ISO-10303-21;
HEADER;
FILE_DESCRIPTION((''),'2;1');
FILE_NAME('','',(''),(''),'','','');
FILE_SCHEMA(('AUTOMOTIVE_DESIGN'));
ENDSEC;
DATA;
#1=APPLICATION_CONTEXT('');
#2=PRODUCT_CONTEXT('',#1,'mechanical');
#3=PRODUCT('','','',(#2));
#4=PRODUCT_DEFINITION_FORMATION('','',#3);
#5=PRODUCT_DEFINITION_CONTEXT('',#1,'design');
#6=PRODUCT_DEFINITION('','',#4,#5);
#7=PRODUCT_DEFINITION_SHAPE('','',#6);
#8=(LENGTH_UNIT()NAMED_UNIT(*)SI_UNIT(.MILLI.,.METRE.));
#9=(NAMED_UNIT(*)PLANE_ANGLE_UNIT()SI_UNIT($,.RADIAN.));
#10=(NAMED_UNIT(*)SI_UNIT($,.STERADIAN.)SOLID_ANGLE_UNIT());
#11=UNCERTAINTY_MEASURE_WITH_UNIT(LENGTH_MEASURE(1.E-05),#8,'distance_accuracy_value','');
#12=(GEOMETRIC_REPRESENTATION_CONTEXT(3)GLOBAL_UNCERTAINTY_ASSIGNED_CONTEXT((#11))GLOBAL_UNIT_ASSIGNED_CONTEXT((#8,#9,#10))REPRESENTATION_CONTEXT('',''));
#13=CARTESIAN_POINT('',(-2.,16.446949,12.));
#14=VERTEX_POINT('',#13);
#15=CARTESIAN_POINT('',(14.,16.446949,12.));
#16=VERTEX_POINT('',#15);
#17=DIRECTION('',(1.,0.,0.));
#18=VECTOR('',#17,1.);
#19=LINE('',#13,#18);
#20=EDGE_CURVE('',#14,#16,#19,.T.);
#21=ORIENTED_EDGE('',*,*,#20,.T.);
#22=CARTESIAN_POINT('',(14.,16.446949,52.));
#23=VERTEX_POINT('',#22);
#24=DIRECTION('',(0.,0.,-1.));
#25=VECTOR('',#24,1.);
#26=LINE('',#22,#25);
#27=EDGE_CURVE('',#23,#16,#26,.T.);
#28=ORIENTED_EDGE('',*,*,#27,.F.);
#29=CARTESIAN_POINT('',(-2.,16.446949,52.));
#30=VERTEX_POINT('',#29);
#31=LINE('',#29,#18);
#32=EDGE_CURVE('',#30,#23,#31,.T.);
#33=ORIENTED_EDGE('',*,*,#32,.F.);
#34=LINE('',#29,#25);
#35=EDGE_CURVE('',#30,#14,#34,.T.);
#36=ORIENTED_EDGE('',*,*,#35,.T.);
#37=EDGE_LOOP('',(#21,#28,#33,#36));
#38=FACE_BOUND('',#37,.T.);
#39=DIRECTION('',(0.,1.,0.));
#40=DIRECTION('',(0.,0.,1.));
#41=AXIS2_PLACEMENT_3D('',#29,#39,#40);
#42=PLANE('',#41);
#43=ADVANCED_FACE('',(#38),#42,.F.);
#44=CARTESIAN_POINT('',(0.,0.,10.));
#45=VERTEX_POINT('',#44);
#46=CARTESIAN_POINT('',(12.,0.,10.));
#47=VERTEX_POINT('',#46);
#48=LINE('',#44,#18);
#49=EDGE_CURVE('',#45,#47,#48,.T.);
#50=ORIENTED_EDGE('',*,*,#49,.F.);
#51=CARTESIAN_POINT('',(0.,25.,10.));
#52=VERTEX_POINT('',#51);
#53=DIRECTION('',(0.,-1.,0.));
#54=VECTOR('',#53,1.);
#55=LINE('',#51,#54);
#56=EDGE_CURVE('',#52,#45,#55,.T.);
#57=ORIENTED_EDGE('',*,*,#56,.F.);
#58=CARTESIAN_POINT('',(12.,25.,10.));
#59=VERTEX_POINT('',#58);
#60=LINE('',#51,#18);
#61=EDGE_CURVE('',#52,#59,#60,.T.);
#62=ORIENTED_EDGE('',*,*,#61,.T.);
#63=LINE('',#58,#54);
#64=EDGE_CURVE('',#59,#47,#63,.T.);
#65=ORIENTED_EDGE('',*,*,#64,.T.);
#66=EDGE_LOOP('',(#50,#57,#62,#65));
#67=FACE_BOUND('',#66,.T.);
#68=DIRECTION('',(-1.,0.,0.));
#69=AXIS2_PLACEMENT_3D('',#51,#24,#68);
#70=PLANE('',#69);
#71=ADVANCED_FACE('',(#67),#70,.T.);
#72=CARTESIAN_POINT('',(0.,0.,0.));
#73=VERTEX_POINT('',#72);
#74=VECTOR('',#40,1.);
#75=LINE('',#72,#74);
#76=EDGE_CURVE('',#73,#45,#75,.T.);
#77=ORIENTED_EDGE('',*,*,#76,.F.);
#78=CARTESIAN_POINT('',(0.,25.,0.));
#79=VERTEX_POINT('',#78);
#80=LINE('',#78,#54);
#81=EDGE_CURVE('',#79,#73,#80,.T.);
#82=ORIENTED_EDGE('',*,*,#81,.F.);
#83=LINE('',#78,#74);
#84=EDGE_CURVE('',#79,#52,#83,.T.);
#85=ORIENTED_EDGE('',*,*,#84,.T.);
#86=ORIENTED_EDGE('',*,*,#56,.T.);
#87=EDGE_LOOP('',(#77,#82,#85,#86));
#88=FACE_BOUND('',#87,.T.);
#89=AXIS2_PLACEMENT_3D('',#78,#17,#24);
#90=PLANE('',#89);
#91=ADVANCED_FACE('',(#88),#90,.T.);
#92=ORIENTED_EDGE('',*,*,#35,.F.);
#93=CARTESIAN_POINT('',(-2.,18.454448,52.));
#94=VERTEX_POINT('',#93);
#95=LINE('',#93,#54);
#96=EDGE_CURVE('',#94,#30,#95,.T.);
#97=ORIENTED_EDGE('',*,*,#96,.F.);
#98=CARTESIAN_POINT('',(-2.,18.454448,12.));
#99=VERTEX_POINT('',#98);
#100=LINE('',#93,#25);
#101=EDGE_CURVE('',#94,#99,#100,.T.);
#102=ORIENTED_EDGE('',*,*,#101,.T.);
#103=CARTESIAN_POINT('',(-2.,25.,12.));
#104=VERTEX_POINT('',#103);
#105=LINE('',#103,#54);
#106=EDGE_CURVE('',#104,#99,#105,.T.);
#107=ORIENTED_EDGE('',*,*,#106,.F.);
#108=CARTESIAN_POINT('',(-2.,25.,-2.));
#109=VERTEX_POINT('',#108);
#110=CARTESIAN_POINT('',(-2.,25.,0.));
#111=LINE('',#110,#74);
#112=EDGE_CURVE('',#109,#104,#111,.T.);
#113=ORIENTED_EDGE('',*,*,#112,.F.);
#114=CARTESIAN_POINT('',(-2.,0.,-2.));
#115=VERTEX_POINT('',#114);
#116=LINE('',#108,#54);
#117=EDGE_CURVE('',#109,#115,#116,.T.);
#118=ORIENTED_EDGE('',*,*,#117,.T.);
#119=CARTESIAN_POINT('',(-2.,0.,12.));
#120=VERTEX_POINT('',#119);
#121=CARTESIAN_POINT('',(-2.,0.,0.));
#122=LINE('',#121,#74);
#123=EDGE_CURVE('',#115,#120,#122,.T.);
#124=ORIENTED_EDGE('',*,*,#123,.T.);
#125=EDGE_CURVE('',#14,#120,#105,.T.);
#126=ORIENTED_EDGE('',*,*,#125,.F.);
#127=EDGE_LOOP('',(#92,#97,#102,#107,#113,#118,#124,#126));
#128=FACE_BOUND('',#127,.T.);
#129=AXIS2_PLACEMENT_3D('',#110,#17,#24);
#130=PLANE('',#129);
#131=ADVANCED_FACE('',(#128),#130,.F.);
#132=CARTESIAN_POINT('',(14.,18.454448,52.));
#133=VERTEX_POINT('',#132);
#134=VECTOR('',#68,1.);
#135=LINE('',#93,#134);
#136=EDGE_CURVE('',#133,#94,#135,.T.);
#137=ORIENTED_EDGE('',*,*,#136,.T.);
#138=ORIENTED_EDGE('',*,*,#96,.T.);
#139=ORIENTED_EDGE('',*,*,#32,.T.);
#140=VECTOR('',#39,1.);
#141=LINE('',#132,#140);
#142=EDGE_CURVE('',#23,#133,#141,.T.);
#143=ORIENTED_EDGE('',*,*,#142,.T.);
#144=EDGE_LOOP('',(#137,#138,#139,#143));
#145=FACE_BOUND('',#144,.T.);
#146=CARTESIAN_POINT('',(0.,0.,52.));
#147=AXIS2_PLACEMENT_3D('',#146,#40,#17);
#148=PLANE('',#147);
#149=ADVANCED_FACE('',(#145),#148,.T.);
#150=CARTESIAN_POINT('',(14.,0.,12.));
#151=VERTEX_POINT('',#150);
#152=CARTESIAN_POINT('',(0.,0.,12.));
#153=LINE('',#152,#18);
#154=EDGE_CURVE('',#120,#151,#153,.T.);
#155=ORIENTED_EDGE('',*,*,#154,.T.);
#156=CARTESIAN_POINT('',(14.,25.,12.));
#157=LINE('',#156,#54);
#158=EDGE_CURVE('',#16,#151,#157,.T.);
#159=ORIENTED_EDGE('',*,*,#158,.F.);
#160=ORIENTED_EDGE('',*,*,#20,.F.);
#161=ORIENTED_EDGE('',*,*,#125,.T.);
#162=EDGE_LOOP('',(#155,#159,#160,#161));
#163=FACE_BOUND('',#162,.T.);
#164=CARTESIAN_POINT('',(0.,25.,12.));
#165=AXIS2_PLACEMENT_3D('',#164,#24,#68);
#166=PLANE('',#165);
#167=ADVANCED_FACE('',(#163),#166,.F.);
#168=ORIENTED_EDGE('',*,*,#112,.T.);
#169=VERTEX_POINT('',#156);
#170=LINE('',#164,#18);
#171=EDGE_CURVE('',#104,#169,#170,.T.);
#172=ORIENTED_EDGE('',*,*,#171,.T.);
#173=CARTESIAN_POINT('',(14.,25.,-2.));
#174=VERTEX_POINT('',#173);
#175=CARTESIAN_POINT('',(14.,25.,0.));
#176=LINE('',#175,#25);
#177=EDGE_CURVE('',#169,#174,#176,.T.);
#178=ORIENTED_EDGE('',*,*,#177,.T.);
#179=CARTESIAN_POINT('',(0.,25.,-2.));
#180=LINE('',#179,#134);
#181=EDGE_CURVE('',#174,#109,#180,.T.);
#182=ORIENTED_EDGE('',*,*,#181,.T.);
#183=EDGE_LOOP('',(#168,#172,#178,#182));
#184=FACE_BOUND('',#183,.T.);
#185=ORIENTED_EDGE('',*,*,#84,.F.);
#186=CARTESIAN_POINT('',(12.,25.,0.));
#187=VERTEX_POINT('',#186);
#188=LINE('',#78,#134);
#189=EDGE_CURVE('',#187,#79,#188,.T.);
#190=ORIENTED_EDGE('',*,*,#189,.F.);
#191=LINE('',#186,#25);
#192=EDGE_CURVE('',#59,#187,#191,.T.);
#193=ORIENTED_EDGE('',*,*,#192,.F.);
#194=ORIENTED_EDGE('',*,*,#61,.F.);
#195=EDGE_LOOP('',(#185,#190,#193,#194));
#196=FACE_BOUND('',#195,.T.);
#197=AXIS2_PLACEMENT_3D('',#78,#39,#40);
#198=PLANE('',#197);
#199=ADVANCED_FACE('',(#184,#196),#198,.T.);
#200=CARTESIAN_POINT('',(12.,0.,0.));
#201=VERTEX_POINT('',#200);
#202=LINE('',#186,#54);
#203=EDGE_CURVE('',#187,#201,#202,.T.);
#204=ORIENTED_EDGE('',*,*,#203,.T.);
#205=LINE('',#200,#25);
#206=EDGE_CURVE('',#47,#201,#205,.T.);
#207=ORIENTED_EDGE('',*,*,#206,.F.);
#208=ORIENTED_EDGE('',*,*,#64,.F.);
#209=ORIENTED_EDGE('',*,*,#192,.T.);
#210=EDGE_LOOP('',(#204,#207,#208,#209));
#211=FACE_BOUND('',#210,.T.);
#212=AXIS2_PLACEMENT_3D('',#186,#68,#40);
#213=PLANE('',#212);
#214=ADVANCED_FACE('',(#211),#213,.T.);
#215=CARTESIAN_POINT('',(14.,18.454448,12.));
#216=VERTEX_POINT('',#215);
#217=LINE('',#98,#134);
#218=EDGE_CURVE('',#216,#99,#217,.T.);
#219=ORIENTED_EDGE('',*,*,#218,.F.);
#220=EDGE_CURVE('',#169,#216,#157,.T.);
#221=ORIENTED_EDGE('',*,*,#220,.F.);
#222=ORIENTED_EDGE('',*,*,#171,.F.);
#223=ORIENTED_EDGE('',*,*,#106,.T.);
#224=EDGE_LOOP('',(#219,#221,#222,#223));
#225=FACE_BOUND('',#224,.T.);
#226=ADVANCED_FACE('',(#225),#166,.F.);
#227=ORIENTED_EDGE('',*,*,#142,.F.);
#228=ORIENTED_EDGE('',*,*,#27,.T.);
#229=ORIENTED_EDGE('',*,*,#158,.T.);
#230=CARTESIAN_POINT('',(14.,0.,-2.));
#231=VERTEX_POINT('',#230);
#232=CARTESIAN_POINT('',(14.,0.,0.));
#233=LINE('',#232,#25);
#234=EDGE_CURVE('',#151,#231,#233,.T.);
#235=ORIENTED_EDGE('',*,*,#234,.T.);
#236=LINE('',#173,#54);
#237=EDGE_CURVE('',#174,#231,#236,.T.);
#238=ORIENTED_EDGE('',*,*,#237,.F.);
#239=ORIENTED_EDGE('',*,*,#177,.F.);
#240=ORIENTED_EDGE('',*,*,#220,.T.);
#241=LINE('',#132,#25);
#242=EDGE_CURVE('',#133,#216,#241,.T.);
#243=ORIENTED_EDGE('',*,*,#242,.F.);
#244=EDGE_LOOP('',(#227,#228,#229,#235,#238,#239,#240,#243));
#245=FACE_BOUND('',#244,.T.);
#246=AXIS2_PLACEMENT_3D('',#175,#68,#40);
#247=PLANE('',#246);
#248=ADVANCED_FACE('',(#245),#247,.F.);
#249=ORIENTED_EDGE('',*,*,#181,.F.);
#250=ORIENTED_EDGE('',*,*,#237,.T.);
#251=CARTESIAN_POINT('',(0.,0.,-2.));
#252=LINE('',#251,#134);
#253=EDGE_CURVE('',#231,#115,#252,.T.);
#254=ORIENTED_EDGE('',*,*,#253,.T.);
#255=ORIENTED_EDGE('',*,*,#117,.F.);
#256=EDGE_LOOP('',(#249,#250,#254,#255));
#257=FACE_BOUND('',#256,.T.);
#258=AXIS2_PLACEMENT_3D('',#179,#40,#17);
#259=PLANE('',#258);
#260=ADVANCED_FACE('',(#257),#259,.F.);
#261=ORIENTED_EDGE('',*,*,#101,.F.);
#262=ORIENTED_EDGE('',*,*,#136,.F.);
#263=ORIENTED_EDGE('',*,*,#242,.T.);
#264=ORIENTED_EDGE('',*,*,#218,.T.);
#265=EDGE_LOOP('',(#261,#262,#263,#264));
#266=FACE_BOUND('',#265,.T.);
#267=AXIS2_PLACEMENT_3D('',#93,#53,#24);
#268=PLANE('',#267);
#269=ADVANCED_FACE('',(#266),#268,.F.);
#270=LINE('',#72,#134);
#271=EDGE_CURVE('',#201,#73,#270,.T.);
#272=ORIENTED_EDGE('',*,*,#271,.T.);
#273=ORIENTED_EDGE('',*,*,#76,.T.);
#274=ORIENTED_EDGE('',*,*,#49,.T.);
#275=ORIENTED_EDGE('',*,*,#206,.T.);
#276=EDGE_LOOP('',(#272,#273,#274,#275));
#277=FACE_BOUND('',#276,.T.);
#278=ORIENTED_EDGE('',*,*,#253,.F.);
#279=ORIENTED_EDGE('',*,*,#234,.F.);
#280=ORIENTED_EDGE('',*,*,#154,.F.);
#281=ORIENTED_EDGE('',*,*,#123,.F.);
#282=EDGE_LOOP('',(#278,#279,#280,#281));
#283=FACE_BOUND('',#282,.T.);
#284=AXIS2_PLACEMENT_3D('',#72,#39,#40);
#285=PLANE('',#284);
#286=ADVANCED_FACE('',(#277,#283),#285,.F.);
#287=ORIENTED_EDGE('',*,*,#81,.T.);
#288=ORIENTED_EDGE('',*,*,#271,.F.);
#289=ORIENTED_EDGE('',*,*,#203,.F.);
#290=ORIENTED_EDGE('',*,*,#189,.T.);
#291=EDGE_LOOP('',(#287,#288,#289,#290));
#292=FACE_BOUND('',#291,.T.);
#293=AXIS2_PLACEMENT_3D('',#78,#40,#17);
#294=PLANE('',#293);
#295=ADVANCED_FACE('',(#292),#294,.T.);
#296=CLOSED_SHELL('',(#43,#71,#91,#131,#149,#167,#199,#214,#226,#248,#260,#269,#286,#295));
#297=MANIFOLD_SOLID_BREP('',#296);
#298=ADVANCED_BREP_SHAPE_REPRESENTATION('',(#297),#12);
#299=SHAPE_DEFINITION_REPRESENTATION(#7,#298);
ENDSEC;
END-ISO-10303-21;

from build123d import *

# Parameters (mm, degrees)
SKETCH_1_W      = 12
SKETCH_1_H      = 10
EXTRUDE_1_DEPTH = 25
SHELL_1_T       = 2
SKETCH_2_W      = 16
SKETCH_2_H      = 2.007499683
EXTRUDE_2_DEPTH = 40


with BuildPart() as part:
    # 草图1 → 凸台-拉伸1 (new body)
    with BuildSketch(Plane(origin=(0, 0, 0), x_dir=(1, 0, 0), z_dir=(0, 1, 0))):
        with Locations((6, -5)):
            Rectangle(SKETCH_1_W, SKETCH_1_H)
    extrude(amount=EXTRUDE_1_DEPTH)

    # 抽壳1
    shell_1_openings = [part.faces().sort_by_distance(p)[0] for p in [
        (6, 0, 5),
        (6, 25, 5),
    ]]
    offset(amount=SHELL_1_T, openings=shell_1_openings, kind=Kind.INTERSECTION)

    # 草图2 → 凸台-拉伸2 (add)
    with BuildSketch(Plane.XY.offset(12)):
        with Locations((6, 17.450698372)):
            Rectangle(SKETCH_2_W, SKETCH_2_H)
    extrude(amount=EXTRUDE_2_DEPTH)


solid = part.part
